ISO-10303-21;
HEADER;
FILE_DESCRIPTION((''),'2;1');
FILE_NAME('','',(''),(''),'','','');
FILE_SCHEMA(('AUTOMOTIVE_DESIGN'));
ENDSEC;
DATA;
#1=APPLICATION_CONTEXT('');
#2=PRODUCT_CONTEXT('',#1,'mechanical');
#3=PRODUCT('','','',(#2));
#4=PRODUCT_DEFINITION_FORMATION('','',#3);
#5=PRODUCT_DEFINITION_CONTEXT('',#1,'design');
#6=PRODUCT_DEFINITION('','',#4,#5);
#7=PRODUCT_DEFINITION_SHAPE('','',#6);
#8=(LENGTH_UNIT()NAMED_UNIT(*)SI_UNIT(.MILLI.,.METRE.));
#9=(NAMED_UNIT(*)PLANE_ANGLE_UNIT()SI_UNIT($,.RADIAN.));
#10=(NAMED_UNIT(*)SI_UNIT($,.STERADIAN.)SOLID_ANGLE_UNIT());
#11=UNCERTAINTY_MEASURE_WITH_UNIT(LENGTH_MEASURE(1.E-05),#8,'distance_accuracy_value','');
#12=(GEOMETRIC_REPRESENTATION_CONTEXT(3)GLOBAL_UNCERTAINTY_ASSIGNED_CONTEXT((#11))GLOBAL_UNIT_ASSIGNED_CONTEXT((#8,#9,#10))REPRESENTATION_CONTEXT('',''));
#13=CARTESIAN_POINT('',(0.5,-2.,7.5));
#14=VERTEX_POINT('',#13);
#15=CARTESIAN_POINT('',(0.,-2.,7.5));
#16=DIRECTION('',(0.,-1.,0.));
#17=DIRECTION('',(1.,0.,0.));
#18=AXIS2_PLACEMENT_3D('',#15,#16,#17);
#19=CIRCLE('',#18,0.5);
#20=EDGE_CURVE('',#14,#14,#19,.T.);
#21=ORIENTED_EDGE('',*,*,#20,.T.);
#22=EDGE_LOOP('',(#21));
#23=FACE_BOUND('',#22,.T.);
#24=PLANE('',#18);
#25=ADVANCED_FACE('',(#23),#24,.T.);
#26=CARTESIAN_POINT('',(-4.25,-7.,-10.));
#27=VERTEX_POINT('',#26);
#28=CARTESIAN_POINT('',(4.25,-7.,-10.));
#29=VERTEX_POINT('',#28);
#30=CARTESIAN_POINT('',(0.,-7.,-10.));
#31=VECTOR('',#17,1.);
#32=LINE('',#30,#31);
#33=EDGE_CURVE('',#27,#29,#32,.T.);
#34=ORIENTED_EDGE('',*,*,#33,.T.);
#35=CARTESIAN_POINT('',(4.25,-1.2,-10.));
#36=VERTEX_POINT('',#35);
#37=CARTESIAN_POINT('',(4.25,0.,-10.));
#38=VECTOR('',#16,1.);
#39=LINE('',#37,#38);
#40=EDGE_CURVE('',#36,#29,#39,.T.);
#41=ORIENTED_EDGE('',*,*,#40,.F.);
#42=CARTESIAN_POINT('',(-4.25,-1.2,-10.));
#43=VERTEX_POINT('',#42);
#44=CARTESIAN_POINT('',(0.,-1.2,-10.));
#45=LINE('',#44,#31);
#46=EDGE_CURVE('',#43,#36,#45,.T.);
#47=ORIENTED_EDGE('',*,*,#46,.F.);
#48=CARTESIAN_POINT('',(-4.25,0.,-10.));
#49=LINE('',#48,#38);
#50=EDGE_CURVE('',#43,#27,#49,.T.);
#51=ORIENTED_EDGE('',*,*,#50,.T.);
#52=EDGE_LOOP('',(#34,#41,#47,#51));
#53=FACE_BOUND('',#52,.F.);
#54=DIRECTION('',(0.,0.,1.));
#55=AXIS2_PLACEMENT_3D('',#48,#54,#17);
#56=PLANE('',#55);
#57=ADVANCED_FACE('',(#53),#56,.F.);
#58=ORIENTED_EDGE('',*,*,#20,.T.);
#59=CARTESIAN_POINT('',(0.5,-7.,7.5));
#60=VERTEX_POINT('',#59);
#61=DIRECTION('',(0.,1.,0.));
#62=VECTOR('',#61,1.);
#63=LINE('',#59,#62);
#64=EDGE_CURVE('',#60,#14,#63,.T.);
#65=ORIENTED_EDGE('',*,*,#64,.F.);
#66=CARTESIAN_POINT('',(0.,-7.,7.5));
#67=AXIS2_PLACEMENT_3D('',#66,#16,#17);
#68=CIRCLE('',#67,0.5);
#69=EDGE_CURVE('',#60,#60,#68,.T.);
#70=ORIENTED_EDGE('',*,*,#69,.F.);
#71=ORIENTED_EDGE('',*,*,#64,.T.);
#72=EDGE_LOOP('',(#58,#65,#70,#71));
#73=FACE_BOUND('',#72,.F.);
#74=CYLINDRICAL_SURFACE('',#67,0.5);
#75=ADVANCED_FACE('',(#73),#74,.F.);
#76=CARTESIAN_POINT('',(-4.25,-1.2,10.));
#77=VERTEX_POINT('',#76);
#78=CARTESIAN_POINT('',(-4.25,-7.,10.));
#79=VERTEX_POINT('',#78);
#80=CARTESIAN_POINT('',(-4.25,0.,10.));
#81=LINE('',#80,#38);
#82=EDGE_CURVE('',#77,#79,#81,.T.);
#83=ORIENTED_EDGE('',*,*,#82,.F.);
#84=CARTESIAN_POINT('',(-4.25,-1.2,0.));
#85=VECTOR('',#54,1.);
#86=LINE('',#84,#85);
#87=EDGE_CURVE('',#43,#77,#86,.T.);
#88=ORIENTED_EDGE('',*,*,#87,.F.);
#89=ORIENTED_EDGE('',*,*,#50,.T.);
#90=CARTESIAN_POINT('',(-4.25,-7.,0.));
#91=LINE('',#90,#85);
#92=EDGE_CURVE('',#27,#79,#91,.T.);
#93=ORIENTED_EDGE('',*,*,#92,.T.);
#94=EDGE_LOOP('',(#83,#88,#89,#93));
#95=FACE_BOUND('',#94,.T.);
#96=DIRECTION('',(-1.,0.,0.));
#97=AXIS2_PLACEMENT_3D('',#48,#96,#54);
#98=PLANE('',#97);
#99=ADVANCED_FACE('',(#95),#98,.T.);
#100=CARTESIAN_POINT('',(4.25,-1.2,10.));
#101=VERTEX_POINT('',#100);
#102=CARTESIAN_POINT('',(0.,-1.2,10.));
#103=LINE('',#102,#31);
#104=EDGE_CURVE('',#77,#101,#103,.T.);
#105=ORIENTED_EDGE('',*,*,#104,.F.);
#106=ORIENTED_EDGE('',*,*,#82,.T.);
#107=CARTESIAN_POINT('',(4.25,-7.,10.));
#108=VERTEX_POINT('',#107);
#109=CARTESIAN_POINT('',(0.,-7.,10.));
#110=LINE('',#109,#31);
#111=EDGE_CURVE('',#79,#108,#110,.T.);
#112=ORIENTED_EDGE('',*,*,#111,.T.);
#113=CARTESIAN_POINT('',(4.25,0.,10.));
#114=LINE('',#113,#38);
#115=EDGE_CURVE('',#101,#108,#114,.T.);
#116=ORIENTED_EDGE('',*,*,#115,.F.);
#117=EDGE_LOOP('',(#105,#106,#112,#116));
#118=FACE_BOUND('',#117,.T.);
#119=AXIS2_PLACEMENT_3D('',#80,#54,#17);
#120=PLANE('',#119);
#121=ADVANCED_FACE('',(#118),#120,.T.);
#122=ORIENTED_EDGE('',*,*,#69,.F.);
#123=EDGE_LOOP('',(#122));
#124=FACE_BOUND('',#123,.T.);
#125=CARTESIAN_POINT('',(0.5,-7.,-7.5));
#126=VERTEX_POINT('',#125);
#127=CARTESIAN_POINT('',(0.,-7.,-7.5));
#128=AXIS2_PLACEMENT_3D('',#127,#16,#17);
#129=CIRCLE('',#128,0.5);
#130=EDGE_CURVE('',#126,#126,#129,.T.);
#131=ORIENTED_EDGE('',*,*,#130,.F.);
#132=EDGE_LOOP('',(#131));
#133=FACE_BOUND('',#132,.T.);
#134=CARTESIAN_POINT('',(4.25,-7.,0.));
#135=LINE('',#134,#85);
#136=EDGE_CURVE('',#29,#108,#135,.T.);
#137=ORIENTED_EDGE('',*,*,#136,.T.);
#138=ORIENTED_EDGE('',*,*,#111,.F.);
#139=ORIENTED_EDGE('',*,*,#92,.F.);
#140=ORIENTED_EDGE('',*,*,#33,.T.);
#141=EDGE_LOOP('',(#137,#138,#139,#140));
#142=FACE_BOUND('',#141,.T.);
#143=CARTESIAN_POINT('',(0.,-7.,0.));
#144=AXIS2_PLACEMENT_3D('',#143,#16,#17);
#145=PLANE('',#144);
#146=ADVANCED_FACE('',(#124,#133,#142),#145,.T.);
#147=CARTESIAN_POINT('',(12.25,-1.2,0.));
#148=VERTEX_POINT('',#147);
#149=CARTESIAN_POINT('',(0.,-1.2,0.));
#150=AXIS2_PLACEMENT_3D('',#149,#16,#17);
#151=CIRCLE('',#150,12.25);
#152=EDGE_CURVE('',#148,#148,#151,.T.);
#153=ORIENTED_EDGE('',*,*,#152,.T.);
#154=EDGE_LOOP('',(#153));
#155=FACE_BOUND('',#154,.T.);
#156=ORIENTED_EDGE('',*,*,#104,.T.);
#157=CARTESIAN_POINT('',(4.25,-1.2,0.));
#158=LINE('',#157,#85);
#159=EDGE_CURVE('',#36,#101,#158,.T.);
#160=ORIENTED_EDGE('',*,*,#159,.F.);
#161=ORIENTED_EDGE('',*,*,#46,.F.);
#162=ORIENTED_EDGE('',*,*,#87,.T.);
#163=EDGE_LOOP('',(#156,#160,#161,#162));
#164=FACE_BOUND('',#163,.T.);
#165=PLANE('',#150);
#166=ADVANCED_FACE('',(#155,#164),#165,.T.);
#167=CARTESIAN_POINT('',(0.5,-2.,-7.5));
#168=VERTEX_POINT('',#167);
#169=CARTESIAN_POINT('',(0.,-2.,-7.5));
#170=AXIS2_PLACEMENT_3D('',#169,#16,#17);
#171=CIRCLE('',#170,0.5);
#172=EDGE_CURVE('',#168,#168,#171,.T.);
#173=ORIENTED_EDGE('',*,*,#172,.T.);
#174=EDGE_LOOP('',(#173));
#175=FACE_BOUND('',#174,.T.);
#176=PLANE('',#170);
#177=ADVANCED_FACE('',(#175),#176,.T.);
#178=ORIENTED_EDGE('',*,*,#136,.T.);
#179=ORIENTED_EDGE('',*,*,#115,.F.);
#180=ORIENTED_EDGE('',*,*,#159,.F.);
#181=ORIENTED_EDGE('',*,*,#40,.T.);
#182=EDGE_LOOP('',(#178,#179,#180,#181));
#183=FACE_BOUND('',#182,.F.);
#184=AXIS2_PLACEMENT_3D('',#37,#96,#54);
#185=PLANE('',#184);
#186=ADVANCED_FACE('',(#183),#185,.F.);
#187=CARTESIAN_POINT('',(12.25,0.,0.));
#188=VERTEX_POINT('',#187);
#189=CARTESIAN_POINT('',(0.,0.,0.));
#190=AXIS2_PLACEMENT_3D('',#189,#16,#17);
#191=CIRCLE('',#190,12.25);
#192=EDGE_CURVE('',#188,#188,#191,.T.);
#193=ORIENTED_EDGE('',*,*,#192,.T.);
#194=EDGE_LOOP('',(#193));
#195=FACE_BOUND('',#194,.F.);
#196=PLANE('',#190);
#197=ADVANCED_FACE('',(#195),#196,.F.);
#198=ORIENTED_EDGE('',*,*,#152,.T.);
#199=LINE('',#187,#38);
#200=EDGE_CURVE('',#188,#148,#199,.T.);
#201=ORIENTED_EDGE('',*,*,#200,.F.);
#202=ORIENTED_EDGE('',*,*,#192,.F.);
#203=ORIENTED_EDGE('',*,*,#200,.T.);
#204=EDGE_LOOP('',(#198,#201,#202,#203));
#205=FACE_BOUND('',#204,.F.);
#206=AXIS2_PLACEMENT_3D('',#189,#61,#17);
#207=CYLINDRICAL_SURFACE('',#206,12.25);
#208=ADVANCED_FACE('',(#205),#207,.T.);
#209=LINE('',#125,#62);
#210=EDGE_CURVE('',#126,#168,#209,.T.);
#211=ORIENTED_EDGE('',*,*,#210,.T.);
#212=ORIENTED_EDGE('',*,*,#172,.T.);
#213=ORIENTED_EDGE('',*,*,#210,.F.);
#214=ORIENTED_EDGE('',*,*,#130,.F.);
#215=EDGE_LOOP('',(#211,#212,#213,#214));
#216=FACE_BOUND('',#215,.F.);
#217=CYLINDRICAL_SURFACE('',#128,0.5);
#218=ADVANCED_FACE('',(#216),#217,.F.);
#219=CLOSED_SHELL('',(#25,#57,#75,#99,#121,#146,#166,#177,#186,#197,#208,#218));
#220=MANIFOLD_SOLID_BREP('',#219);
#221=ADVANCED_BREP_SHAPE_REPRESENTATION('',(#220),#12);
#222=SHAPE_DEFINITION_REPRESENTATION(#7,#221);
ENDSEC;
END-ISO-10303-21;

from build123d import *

# Parameters (mm, degrees)
F0_R     = 12.25
F0_W     = 8.5
F0_H     = 20
F1_DEPTH = 1.2
F2_DEPTH = 7
F3_R     = 0.5
F4_DEPTH = 5


with BuildPart() as f1:
    # F0 (on Front) → F1 (new body)
    with BuildSketch(Plane.XZ):
        Circle(F0_R)
        Rectangle(F0_W, F0_H, mode=Mode.SUBTRACT)
    extrude(amount=F1_DEPTH)

    # F0 (on Front) → F2 (join)
    with BuildSketch(Plane.XZ):
        Rectangle(F0_W, F0_H)
    extrude(amount=F2_DEPTH)

    # F3 (on face) → F4 (cut)
    with BuildSketch(Plane.XZ.offset(7)):
        with Locations((0, -7.5)):
            Circle(F3_R)
        with Locations((0, 7.5)):
            Circle(F3_R)
    extrude(amount=-F4_DEPTH, mode=Mode.SUBTRACT)


solid = f1.part
